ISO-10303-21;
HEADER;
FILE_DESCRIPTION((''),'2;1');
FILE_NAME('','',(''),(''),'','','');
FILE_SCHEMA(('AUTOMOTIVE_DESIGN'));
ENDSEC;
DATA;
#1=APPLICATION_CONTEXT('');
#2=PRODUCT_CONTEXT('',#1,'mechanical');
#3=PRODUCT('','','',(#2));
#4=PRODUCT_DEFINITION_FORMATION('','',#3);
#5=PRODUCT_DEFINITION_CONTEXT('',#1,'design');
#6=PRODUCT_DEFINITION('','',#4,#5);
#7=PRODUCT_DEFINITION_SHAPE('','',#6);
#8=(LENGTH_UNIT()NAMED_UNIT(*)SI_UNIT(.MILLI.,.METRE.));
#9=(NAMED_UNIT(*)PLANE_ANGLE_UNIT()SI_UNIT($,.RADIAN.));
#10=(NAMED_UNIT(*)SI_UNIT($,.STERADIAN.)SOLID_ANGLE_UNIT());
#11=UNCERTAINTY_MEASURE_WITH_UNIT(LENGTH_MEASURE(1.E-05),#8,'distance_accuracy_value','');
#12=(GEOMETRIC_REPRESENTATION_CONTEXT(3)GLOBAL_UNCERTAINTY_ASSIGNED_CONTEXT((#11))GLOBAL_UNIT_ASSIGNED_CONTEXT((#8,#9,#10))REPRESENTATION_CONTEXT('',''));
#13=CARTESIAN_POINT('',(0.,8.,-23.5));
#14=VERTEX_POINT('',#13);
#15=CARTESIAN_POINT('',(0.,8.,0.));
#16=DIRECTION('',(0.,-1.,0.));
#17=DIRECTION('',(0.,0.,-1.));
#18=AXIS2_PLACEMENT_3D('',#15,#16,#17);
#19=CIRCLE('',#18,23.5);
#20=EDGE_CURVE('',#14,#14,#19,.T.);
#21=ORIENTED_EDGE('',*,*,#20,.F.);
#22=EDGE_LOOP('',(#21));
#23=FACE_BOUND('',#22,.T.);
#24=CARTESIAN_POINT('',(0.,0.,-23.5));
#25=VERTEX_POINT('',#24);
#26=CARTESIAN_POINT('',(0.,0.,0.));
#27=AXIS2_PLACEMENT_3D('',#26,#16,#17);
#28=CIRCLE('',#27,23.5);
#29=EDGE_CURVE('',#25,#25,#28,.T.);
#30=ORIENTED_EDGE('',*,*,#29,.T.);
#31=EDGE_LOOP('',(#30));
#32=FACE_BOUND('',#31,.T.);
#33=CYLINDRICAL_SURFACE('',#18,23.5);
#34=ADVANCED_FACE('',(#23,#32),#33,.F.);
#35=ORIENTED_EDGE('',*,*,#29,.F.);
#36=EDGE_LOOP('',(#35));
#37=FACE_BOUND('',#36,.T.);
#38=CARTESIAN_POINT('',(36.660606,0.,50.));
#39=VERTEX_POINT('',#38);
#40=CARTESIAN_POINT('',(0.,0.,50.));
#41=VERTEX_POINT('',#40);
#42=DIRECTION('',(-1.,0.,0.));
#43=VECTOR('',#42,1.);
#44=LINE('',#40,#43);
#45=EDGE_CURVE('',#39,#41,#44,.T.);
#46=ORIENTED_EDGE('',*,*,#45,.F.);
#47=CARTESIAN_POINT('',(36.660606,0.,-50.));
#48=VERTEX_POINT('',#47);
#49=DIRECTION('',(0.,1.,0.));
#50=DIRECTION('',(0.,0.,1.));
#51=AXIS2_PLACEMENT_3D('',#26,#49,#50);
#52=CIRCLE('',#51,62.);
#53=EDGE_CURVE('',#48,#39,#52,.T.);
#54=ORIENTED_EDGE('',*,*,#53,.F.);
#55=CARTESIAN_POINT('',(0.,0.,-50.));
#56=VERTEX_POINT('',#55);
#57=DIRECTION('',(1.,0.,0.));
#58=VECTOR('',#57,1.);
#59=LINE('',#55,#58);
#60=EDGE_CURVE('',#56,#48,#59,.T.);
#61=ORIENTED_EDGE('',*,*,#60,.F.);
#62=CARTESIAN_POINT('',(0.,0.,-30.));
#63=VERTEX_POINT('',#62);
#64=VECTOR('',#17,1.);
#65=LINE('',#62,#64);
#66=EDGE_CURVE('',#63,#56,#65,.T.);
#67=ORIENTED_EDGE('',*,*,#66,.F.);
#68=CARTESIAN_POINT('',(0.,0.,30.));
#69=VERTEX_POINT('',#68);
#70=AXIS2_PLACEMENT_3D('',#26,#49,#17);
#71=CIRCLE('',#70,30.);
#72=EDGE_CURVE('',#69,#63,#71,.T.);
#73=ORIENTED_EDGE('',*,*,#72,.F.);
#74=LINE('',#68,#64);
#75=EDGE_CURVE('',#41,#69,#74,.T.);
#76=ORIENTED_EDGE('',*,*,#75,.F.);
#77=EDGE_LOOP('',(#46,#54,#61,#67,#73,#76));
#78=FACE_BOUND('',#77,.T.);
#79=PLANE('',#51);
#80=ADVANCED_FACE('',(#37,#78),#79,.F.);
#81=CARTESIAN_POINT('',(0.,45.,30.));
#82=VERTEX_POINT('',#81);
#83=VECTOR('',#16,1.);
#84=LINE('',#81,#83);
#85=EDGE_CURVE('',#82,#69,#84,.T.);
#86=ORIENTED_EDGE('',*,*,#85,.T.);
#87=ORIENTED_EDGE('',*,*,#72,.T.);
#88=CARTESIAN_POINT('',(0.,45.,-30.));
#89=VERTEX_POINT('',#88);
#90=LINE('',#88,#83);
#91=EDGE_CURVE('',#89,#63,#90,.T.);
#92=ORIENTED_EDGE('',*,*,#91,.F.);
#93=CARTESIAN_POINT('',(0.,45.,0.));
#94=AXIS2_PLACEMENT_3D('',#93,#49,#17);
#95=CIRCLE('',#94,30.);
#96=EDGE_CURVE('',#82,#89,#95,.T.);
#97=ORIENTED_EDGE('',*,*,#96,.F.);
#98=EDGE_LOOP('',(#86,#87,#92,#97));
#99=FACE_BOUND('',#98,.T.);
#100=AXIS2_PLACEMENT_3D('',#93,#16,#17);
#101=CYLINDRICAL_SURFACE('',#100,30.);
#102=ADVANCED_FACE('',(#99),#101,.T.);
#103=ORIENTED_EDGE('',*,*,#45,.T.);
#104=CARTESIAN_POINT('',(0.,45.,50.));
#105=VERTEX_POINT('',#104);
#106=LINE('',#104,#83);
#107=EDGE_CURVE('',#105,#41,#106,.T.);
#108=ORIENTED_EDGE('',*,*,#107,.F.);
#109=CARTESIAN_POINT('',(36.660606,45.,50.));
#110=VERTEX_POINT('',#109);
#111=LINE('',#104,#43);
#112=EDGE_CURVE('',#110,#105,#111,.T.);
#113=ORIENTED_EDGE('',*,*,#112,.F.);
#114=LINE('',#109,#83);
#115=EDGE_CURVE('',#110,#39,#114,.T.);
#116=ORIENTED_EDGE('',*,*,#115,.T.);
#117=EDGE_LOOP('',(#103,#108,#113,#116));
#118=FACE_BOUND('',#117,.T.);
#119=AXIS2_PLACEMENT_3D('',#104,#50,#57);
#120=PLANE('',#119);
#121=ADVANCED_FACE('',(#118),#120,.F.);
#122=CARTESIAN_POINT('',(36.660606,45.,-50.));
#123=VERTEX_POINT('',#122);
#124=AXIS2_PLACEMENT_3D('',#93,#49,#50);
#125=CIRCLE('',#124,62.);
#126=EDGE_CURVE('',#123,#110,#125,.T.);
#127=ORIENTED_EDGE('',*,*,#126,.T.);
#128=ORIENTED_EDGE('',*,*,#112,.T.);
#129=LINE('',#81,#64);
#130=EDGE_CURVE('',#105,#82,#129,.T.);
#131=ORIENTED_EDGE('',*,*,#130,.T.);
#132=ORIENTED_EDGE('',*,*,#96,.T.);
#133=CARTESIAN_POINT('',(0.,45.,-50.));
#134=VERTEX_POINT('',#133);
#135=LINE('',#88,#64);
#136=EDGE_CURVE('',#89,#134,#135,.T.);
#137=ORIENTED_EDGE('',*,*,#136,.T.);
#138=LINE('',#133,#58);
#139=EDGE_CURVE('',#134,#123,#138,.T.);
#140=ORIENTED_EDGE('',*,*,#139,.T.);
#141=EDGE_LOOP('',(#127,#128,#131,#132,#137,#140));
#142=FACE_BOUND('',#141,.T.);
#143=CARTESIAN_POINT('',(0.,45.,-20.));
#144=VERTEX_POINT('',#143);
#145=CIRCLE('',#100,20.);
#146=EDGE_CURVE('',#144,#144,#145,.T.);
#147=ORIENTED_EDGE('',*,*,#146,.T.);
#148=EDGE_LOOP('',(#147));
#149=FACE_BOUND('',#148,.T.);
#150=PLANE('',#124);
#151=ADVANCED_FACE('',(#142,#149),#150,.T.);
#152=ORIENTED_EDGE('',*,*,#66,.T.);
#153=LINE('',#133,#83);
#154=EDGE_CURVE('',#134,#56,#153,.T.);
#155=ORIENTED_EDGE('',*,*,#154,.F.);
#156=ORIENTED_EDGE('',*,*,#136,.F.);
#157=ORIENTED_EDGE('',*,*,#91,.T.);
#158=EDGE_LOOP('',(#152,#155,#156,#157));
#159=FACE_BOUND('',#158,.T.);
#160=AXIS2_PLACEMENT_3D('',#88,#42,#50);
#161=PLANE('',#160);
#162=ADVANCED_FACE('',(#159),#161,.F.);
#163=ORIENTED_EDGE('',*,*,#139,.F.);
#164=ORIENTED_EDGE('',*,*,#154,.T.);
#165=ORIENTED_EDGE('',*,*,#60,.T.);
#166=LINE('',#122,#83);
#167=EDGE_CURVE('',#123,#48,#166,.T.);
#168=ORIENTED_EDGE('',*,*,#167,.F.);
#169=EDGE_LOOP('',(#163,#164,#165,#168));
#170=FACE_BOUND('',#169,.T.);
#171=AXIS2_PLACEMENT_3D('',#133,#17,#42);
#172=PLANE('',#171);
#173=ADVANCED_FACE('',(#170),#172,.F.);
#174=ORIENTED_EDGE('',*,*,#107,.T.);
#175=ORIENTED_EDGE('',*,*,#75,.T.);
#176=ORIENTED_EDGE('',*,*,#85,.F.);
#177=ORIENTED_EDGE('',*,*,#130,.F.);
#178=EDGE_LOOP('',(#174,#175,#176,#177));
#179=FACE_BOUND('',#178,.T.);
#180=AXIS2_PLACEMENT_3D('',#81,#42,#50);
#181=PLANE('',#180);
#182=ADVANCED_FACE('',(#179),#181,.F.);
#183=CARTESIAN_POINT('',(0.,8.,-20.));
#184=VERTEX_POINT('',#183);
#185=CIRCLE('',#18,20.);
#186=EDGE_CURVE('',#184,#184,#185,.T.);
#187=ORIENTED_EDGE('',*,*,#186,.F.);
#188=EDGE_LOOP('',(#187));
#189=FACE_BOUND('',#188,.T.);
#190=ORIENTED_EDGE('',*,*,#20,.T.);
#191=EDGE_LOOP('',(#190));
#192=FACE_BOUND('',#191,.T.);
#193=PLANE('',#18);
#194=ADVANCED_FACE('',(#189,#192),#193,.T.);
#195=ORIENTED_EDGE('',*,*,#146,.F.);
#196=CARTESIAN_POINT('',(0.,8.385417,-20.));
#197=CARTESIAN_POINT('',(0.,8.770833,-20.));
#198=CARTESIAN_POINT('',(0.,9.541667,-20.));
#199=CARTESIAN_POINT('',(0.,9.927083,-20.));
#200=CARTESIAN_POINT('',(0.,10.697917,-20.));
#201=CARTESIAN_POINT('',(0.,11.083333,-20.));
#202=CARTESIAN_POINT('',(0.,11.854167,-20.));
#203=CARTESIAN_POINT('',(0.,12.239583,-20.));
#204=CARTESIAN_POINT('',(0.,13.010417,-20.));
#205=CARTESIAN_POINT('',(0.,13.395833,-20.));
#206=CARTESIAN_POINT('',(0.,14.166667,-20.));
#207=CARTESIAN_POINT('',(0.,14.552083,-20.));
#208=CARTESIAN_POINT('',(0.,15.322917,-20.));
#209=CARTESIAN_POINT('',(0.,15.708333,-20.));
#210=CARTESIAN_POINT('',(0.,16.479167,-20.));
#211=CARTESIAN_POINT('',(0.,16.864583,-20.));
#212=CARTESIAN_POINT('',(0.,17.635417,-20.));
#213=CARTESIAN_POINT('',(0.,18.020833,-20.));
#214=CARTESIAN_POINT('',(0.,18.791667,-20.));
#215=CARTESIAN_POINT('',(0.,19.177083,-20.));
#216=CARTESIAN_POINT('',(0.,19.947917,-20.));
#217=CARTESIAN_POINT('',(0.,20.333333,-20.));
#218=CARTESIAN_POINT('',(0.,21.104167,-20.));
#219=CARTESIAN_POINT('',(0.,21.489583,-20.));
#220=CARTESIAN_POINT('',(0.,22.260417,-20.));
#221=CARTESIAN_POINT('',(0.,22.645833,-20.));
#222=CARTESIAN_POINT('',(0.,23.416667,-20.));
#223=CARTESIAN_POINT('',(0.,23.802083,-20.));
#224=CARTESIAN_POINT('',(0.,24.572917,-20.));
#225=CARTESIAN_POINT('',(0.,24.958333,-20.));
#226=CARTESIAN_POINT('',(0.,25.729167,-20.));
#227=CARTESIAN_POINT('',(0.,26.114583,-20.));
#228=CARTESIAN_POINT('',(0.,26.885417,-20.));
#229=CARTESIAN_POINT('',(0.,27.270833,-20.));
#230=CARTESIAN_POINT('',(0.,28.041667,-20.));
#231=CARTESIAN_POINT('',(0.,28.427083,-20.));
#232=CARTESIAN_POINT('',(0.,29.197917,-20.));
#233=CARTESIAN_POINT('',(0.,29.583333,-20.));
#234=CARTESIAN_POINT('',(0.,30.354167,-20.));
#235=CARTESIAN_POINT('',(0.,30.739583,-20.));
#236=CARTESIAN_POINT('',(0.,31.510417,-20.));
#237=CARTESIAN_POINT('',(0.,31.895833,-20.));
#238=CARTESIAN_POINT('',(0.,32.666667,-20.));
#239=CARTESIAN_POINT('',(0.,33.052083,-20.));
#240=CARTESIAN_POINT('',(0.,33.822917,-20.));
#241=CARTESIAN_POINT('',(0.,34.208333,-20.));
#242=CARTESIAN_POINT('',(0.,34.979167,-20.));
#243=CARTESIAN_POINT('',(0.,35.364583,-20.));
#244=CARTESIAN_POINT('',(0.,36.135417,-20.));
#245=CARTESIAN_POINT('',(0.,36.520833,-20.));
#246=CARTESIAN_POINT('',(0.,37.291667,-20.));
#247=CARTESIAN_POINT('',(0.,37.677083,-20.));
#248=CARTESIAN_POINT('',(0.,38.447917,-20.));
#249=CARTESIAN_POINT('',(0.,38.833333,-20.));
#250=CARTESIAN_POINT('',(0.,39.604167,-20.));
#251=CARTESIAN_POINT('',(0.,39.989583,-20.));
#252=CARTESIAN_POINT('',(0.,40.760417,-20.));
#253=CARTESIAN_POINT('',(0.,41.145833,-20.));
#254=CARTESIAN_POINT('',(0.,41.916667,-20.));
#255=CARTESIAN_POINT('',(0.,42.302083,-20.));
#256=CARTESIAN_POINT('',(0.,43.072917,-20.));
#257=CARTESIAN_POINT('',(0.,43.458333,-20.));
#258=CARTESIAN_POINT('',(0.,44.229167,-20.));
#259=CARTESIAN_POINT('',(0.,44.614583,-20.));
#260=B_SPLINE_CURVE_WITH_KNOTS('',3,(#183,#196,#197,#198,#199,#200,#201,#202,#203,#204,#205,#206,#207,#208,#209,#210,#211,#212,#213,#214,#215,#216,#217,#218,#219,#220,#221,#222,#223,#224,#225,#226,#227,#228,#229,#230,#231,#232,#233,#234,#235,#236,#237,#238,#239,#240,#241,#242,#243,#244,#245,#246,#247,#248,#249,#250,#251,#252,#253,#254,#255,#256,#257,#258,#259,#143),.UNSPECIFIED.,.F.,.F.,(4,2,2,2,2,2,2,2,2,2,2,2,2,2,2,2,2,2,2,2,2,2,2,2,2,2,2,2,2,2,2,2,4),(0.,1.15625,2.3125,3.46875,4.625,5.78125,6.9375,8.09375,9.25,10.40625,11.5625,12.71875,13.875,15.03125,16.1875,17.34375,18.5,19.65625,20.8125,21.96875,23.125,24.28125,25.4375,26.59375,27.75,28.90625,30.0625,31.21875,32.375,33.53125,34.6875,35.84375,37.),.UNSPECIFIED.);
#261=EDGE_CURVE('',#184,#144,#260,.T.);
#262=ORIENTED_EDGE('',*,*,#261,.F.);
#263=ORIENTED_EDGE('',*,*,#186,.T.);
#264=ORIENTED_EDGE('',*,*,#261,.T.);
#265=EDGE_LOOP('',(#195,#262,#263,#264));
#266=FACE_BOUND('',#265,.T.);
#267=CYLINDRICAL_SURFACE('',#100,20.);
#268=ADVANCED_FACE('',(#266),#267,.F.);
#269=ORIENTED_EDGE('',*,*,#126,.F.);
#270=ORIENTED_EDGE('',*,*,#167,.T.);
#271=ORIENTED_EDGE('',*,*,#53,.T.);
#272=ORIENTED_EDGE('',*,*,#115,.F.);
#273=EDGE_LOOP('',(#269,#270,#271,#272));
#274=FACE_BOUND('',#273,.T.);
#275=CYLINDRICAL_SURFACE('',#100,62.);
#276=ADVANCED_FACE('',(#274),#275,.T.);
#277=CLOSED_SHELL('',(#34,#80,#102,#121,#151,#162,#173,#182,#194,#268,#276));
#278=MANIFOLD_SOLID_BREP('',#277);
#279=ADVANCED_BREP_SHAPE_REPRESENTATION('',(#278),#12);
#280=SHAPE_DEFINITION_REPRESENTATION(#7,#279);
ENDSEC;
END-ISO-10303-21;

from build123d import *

# Parameters (mm, degrees)
CROQUIS1_R              = 62
SALIENTE_EXTRUIR1_DEPTH = 45
CROQUIS3_R              = 23.5
CORTAR_EXTRUIR1_DEPTH   = 8
CROQUIS4_R              = 20
CORTAR_EXTRUIR2_DEPTH   = 99.554553421
CORTAR_EXTRUIR3_DEPTH   = 99.554553421


with BuildPart() as part:
    # Croquis1 → Saliente-Extruir1 (new body)
    with BuildSketch(Plane(origin=(0, 0, 0), x_dir=(1, 0, 0), z_dir=(0, 1, 0))):
        Circle(CROQUIS1_R)
    extrude(amount=SALIENTE_EXTRUIR1_DEPTH)

    # Croquis3 → Cortar-Extruir1 (cut)
    with BuildSketch(Plane.XZ):
        Circle(CROQUIS3_R)
    extrude(amount=-CORTAR_EXTRUIR1_DEPTH, mode=Mode.SUBTRACT)

    # Croquis4 → Cortar-Extruir2 (cut, through all)
    with BuildSketch(Plane.XZ):
        Circle(CROQUIS4_R)
    extrude(amount=-CORTAR_EXTRUIR2_DEPTH, mode=Mode.SUBTRACT)

    # Croquis5 → Cortar-Extruir3 (cut, through all)
    with BuildSketch(Plane.XZ):
        with BuildLine():
            Line((0, 30), (0, 50))
            Line((0, 50), (36.66060556, 50))
            Line((36.66060556, 50), (110, 15))
            Line((110, 15), (110, -15))
            Line((110, -15), (36.66060556, -50))
            Line((36.66060556, -50), (0, -50))
            Line((0, -50), (0, -30))
            ThreePointArc((0, -30), (30, 0), (0, 30))
        make_face()
    extrude(amount=-CORTAR_EXTRUIR3_DEPTH, mode=Mode.SUBTRACT)


solid = part.part
